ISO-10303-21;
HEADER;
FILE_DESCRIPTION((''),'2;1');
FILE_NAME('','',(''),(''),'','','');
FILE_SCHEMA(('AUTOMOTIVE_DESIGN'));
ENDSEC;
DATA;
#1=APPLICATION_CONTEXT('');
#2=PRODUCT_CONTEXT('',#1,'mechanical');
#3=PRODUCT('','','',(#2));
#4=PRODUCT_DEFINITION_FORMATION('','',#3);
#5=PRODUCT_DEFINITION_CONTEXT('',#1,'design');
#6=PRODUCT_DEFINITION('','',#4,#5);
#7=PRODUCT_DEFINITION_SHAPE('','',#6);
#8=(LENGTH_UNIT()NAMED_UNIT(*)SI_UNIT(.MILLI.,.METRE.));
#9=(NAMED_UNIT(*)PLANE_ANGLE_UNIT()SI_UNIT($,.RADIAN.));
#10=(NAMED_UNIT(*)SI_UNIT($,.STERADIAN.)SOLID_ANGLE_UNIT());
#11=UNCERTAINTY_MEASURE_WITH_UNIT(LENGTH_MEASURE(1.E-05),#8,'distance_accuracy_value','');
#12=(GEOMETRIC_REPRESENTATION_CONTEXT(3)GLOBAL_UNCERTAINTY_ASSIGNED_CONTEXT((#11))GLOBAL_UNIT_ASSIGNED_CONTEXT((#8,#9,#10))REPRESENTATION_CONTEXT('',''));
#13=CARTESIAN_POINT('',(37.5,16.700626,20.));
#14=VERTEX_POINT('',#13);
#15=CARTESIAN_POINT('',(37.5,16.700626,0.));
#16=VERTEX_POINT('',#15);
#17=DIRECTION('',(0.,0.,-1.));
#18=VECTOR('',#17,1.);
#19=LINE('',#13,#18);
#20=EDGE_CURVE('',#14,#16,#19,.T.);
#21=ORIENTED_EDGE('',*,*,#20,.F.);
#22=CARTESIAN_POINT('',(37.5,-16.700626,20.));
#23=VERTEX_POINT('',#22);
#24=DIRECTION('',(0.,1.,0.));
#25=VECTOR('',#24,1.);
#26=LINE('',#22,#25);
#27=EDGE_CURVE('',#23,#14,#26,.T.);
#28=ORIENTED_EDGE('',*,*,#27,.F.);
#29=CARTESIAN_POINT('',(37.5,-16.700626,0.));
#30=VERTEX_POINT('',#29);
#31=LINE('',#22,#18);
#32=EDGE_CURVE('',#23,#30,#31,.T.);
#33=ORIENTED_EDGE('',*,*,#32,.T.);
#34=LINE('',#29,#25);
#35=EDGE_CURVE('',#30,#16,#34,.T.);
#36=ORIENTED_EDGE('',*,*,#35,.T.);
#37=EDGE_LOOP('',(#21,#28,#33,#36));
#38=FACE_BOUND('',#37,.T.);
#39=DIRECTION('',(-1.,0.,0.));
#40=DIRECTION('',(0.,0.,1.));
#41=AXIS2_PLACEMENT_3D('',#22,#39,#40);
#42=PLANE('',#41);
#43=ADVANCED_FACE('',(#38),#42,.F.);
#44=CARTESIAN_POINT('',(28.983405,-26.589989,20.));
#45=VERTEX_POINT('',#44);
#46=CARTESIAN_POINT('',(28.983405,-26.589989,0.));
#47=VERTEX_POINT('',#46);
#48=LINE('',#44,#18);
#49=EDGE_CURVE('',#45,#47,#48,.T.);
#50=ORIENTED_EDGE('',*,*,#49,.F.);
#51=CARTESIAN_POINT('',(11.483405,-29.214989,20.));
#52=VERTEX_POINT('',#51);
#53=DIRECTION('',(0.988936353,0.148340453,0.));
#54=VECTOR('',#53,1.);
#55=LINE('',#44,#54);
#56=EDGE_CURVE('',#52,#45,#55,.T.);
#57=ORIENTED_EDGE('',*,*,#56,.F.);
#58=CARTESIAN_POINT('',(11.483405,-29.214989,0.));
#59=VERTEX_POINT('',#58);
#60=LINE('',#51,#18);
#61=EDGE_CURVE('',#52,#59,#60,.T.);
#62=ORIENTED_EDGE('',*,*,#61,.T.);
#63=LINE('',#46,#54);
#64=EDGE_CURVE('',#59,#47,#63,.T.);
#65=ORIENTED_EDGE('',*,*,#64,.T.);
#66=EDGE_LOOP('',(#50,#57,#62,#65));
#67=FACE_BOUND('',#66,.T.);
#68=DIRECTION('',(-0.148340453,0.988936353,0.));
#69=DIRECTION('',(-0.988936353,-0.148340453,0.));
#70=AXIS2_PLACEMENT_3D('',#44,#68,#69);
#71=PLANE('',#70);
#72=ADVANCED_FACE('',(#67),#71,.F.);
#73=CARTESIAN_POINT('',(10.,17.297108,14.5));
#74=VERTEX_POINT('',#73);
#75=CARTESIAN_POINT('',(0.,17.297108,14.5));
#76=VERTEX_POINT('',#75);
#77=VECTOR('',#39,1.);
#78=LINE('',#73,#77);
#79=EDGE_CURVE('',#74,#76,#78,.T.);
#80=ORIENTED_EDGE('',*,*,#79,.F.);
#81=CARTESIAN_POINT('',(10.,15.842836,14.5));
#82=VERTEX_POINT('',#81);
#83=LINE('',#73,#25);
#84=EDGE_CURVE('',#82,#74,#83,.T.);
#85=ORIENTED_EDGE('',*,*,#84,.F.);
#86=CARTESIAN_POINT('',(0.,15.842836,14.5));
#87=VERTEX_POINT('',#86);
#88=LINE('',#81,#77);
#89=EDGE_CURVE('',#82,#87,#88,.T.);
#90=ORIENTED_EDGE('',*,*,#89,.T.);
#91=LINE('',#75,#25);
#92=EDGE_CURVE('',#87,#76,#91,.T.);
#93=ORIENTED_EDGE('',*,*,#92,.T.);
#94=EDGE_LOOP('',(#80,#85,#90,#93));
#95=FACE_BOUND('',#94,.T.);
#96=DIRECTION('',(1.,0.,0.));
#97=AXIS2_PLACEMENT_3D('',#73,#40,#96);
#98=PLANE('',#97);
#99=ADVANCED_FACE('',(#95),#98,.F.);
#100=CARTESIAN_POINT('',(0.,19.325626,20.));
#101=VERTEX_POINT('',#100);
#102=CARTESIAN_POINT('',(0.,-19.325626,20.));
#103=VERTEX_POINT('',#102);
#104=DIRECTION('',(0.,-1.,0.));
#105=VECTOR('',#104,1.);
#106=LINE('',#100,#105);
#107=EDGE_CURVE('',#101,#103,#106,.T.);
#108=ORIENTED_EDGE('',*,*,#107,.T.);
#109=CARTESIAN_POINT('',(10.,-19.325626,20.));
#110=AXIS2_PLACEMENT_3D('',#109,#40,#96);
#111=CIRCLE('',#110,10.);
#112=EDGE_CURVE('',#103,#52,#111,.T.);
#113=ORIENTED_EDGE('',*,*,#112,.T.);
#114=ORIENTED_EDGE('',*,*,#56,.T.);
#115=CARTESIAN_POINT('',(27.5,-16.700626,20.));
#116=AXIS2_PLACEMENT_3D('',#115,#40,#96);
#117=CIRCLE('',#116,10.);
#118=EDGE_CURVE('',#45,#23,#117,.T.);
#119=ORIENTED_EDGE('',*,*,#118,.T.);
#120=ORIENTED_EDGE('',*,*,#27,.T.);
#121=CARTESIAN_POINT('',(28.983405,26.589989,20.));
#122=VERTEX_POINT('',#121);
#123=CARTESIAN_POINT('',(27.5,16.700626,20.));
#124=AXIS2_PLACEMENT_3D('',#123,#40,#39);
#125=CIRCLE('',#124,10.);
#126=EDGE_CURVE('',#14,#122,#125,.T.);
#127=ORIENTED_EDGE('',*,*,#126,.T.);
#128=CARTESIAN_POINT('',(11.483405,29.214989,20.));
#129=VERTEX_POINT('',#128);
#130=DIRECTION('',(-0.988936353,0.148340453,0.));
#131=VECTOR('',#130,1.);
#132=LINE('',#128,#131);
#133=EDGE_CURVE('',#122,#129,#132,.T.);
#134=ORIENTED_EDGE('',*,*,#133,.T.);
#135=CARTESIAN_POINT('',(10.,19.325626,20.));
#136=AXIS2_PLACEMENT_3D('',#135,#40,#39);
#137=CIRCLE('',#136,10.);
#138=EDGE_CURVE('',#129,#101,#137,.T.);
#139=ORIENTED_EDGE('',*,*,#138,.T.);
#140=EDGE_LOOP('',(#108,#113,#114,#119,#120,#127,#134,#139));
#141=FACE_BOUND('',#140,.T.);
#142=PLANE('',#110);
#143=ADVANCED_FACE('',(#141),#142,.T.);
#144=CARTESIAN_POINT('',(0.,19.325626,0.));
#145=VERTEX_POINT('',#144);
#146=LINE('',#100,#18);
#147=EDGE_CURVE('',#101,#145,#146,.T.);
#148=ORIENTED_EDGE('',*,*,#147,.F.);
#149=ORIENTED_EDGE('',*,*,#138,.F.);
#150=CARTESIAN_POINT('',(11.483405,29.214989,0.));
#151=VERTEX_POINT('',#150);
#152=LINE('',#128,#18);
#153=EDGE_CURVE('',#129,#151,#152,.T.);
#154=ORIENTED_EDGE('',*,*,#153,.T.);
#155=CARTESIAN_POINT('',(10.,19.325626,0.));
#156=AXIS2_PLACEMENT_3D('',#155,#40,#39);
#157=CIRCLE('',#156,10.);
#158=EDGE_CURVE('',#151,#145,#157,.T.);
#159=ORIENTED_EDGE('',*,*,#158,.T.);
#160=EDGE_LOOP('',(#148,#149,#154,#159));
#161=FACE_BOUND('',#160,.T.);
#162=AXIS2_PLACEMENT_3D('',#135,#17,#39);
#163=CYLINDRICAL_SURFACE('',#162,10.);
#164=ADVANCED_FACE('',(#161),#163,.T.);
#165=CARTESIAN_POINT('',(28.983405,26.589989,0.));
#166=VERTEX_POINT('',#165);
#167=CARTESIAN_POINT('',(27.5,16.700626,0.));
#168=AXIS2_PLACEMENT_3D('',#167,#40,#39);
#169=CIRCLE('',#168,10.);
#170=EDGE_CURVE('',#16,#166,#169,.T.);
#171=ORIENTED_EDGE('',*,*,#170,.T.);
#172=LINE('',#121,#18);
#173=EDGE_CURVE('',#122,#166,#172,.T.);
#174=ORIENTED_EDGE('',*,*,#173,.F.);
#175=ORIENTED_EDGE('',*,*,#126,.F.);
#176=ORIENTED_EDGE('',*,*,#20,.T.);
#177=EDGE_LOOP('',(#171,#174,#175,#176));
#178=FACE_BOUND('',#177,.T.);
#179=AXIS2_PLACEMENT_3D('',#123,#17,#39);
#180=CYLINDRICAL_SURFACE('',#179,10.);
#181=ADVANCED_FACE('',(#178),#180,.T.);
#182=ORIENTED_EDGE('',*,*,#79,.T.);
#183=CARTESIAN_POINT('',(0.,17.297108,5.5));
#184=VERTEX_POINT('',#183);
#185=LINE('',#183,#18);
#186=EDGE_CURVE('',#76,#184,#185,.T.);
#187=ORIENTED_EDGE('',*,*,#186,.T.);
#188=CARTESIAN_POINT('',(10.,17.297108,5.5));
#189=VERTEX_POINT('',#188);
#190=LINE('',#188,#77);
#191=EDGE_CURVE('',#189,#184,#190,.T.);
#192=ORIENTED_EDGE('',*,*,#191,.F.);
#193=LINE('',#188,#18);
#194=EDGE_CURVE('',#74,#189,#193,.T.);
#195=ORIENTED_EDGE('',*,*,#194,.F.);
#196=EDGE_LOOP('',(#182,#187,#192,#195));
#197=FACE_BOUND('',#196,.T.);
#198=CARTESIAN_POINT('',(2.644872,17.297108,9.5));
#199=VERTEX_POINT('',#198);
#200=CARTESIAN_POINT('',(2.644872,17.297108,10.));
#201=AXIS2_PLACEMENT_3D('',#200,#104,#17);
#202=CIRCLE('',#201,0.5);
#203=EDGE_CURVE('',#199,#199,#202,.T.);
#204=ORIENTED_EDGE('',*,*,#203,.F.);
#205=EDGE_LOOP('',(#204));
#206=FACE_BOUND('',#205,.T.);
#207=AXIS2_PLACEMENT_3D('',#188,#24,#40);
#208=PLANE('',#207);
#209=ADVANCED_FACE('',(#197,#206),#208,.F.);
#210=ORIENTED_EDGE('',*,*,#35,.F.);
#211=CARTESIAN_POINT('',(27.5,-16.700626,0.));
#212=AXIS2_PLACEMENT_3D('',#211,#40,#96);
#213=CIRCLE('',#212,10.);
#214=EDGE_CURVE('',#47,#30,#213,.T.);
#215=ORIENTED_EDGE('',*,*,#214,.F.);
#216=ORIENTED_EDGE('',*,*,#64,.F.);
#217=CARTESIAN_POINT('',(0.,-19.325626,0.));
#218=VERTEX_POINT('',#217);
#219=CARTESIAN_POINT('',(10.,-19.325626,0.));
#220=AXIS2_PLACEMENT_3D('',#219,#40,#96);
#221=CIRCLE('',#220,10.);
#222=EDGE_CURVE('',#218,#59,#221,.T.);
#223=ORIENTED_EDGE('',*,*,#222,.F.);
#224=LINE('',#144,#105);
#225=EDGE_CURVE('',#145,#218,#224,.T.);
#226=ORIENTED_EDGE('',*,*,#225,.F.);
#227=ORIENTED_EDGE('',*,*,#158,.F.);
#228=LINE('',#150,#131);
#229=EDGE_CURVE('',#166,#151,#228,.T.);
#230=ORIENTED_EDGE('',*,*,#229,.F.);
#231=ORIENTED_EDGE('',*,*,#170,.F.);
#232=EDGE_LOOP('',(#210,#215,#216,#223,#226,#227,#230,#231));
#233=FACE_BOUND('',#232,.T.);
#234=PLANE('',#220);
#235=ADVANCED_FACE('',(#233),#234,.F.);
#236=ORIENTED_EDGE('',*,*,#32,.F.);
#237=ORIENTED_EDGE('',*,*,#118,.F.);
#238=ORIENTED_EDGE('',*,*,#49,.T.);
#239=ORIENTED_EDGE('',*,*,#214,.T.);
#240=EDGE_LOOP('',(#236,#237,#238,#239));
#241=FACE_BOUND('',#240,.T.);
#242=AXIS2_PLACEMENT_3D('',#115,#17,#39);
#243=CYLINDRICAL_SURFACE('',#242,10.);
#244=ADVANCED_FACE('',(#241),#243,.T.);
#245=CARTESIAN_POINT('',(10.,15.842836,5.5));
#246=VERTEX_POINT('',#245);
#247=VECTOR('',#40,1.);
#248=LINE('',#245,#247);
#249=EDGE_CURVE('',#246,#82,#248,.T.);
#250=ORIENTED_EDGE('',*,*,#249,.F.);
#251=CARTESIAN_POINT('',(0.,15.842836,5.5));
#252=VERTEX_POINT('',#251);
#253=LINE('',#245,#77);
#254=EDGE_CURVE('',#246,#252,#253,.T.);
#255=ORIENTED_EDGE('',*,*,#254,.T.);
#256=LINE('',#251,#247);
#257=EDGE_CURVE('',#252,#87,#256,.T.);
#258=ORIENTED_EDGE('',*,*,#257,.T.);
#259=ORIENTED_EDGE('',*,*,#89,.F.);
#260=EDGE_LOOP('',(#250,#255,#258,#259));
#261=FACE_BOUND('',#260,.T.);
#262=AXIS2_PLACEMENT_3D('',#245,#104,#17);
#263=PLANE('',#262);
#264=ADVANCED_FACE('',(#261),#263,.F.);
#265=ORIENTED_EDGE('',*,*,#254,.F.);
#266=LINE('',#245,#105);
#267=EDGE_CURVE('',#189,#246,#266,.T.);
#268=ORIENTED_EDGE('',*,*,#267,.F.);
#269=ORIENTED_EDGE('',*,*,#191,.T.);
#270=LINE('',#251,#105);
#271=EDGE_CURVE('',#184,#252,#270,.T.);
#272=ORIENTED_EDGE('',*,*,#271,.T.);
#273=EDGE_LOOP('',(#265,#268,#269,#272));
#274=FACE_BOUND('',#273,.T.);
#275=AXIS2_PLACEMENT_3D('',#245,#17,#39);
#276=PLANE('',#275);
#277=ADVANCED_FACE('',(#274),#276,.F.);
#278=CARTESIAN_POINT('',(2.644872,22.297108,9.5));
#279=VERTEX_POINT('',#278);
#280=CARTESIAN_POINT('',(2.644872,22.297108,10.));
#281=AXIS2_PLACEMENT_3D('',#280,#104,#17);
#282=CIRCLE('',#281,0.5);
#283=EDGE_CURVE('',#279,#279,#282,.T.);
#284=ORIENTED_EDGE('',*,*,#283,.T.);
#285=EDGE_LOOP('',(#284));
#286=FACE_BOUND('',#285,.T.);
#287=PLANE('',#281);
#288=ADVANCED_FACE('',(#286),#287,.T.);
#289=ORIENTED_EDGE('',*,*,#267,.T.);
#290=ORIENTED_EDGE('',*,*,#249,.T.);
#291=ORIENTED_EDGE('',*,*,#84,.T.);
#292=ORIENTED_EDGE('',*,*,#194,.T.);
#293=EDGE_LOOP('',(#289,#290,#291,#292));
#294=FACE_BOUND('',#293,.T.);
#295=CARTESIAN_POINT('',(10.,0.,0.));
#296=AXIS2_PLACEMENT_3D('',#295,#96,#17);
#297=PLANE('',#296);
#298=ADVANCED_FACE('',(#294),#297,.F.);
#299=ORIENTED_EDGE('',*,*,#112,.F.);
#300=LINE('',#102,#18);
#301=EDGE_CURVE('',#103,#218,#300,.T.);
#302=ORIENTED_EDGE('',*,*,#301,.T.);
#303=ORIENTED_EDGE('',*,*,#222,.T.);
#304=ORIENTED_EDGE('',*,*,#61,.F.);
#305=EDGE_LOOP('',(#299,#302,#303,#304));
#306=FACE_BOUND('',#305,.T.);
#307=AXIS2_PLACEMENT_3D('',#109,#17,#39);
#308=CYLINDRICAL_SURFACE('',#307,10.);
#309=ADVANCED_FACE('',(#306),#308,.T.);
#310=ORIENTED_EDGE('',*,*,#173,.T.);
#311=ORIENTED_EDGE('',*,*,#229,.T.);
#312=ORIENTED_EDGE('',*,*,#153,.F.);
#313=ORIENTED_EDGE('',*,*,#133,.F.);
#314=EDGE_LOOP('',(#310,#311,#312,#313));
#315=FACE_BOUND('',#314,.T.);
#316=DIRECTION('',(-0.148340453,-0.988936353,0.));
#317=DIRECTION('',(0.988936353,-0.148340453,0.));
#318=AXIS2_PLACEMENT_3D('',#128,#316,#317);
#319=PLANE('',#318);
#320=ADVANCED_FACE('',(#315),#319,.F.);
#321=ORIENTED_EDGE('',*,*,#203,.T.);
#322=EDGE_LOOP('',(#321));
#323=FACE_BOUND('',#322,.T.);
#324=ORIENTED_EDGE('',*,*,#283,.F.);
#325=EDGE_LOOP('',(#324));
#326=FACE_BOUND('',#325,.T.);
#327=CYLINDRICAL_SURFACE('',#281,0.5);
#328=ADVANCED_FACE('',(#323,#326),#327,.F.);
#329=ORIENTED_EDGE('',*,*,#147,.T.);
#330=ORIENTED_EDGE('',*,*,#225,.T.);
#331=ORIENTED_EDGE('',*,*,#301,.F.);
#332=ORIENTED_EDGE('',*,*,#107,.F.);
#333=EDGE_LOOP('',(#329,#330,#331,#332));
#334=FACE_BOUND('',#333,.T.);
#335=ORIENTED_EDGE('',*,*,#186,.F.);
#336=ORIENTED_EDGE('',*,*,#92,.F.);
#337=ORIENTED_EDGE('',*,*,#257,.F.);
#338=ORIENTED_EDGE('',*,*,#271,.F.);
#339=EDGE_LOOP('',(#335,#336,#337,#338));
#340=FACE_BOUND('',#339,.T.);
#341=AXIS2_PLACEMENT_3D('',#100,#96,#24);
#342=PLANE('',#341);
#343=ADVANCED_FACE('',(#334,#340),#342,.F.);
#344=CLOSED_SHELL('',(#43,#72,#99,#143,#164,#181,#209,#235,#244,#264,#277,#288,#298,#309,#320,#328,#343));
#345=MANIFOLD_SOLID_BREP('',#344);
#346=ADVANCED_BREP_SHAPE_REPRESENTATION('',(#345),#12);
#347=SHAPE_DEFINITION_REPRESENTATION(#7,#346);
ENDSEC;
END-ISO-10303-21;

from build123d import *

# Parameters (mm, degrees)
BOSS_EXTRUDE1_DEPTH = 20
SKETCH5_W           = 9
SKETCH5_H           = 1.454272164
CUT_EXTRUDE4_DEPTH  = 10
SKETCH6_R           = 0.5
CUT_EXTRUDE5_DEPTH  = 5


with BuildPart() as part:
    # Sketch1 → Boss-Extrude1 (new body)
    with BuildSketch(Plane.XY):
        with BuildLine():
            Line((0, 19.325625792), (0, -19.325625792))
            ThreePointArc((0, -19.325625792), (3.474436626, -26.903027896), (11.483404529, -29.214989321))
            Line((11.483404529, -29.214989321), (28.983404529, -26.589989321))
            ThreePointArc((28.983404529, -26.589989321), (35.077402104, -23.226189166), (37.5, -16.700625792))
            Line((37.5, -16.700625792), (37.5, 16.700625792))
            ThreePointArc((37.5, 16.700625792), (35.077402104, 23.226189166), (28.983404529, 26.589989321))
            Line((28.983404529, 26.589989321), (11.483404529, 29.214989321))
            ThreePointArc((11.483404529, 29.214989321), (3.474436626, 26.903027896), (0, 19.325625792))
        make_face()
    extrude(amount=BOSS_EXTRUDE1_DEPTH)

    # Sketch5 → Cut-Extrude4 (cut)
    with BuildSketch(Plane.ZY):
        with Locations((10, 16.569972364)):
            Rectangle(SKETCH5_W, SKETCH5_H)
    extrude(amount=-CUT_EXTRUDE4_DEPTH, mode=Mode.SUBTRACT)

    # Sketch6 → Cut-Extrude5 (cut)
    with BuildSketch(Plane.XZ.offset(-17.297108446)):
        with Locations((2.644871575, 10)):
            Circle(SKETCH6_R)
    extrude(amount=-CUT_EXTRUDE5_DEPTH, mode=Mode.SUBTRACT)


solid = part.part
